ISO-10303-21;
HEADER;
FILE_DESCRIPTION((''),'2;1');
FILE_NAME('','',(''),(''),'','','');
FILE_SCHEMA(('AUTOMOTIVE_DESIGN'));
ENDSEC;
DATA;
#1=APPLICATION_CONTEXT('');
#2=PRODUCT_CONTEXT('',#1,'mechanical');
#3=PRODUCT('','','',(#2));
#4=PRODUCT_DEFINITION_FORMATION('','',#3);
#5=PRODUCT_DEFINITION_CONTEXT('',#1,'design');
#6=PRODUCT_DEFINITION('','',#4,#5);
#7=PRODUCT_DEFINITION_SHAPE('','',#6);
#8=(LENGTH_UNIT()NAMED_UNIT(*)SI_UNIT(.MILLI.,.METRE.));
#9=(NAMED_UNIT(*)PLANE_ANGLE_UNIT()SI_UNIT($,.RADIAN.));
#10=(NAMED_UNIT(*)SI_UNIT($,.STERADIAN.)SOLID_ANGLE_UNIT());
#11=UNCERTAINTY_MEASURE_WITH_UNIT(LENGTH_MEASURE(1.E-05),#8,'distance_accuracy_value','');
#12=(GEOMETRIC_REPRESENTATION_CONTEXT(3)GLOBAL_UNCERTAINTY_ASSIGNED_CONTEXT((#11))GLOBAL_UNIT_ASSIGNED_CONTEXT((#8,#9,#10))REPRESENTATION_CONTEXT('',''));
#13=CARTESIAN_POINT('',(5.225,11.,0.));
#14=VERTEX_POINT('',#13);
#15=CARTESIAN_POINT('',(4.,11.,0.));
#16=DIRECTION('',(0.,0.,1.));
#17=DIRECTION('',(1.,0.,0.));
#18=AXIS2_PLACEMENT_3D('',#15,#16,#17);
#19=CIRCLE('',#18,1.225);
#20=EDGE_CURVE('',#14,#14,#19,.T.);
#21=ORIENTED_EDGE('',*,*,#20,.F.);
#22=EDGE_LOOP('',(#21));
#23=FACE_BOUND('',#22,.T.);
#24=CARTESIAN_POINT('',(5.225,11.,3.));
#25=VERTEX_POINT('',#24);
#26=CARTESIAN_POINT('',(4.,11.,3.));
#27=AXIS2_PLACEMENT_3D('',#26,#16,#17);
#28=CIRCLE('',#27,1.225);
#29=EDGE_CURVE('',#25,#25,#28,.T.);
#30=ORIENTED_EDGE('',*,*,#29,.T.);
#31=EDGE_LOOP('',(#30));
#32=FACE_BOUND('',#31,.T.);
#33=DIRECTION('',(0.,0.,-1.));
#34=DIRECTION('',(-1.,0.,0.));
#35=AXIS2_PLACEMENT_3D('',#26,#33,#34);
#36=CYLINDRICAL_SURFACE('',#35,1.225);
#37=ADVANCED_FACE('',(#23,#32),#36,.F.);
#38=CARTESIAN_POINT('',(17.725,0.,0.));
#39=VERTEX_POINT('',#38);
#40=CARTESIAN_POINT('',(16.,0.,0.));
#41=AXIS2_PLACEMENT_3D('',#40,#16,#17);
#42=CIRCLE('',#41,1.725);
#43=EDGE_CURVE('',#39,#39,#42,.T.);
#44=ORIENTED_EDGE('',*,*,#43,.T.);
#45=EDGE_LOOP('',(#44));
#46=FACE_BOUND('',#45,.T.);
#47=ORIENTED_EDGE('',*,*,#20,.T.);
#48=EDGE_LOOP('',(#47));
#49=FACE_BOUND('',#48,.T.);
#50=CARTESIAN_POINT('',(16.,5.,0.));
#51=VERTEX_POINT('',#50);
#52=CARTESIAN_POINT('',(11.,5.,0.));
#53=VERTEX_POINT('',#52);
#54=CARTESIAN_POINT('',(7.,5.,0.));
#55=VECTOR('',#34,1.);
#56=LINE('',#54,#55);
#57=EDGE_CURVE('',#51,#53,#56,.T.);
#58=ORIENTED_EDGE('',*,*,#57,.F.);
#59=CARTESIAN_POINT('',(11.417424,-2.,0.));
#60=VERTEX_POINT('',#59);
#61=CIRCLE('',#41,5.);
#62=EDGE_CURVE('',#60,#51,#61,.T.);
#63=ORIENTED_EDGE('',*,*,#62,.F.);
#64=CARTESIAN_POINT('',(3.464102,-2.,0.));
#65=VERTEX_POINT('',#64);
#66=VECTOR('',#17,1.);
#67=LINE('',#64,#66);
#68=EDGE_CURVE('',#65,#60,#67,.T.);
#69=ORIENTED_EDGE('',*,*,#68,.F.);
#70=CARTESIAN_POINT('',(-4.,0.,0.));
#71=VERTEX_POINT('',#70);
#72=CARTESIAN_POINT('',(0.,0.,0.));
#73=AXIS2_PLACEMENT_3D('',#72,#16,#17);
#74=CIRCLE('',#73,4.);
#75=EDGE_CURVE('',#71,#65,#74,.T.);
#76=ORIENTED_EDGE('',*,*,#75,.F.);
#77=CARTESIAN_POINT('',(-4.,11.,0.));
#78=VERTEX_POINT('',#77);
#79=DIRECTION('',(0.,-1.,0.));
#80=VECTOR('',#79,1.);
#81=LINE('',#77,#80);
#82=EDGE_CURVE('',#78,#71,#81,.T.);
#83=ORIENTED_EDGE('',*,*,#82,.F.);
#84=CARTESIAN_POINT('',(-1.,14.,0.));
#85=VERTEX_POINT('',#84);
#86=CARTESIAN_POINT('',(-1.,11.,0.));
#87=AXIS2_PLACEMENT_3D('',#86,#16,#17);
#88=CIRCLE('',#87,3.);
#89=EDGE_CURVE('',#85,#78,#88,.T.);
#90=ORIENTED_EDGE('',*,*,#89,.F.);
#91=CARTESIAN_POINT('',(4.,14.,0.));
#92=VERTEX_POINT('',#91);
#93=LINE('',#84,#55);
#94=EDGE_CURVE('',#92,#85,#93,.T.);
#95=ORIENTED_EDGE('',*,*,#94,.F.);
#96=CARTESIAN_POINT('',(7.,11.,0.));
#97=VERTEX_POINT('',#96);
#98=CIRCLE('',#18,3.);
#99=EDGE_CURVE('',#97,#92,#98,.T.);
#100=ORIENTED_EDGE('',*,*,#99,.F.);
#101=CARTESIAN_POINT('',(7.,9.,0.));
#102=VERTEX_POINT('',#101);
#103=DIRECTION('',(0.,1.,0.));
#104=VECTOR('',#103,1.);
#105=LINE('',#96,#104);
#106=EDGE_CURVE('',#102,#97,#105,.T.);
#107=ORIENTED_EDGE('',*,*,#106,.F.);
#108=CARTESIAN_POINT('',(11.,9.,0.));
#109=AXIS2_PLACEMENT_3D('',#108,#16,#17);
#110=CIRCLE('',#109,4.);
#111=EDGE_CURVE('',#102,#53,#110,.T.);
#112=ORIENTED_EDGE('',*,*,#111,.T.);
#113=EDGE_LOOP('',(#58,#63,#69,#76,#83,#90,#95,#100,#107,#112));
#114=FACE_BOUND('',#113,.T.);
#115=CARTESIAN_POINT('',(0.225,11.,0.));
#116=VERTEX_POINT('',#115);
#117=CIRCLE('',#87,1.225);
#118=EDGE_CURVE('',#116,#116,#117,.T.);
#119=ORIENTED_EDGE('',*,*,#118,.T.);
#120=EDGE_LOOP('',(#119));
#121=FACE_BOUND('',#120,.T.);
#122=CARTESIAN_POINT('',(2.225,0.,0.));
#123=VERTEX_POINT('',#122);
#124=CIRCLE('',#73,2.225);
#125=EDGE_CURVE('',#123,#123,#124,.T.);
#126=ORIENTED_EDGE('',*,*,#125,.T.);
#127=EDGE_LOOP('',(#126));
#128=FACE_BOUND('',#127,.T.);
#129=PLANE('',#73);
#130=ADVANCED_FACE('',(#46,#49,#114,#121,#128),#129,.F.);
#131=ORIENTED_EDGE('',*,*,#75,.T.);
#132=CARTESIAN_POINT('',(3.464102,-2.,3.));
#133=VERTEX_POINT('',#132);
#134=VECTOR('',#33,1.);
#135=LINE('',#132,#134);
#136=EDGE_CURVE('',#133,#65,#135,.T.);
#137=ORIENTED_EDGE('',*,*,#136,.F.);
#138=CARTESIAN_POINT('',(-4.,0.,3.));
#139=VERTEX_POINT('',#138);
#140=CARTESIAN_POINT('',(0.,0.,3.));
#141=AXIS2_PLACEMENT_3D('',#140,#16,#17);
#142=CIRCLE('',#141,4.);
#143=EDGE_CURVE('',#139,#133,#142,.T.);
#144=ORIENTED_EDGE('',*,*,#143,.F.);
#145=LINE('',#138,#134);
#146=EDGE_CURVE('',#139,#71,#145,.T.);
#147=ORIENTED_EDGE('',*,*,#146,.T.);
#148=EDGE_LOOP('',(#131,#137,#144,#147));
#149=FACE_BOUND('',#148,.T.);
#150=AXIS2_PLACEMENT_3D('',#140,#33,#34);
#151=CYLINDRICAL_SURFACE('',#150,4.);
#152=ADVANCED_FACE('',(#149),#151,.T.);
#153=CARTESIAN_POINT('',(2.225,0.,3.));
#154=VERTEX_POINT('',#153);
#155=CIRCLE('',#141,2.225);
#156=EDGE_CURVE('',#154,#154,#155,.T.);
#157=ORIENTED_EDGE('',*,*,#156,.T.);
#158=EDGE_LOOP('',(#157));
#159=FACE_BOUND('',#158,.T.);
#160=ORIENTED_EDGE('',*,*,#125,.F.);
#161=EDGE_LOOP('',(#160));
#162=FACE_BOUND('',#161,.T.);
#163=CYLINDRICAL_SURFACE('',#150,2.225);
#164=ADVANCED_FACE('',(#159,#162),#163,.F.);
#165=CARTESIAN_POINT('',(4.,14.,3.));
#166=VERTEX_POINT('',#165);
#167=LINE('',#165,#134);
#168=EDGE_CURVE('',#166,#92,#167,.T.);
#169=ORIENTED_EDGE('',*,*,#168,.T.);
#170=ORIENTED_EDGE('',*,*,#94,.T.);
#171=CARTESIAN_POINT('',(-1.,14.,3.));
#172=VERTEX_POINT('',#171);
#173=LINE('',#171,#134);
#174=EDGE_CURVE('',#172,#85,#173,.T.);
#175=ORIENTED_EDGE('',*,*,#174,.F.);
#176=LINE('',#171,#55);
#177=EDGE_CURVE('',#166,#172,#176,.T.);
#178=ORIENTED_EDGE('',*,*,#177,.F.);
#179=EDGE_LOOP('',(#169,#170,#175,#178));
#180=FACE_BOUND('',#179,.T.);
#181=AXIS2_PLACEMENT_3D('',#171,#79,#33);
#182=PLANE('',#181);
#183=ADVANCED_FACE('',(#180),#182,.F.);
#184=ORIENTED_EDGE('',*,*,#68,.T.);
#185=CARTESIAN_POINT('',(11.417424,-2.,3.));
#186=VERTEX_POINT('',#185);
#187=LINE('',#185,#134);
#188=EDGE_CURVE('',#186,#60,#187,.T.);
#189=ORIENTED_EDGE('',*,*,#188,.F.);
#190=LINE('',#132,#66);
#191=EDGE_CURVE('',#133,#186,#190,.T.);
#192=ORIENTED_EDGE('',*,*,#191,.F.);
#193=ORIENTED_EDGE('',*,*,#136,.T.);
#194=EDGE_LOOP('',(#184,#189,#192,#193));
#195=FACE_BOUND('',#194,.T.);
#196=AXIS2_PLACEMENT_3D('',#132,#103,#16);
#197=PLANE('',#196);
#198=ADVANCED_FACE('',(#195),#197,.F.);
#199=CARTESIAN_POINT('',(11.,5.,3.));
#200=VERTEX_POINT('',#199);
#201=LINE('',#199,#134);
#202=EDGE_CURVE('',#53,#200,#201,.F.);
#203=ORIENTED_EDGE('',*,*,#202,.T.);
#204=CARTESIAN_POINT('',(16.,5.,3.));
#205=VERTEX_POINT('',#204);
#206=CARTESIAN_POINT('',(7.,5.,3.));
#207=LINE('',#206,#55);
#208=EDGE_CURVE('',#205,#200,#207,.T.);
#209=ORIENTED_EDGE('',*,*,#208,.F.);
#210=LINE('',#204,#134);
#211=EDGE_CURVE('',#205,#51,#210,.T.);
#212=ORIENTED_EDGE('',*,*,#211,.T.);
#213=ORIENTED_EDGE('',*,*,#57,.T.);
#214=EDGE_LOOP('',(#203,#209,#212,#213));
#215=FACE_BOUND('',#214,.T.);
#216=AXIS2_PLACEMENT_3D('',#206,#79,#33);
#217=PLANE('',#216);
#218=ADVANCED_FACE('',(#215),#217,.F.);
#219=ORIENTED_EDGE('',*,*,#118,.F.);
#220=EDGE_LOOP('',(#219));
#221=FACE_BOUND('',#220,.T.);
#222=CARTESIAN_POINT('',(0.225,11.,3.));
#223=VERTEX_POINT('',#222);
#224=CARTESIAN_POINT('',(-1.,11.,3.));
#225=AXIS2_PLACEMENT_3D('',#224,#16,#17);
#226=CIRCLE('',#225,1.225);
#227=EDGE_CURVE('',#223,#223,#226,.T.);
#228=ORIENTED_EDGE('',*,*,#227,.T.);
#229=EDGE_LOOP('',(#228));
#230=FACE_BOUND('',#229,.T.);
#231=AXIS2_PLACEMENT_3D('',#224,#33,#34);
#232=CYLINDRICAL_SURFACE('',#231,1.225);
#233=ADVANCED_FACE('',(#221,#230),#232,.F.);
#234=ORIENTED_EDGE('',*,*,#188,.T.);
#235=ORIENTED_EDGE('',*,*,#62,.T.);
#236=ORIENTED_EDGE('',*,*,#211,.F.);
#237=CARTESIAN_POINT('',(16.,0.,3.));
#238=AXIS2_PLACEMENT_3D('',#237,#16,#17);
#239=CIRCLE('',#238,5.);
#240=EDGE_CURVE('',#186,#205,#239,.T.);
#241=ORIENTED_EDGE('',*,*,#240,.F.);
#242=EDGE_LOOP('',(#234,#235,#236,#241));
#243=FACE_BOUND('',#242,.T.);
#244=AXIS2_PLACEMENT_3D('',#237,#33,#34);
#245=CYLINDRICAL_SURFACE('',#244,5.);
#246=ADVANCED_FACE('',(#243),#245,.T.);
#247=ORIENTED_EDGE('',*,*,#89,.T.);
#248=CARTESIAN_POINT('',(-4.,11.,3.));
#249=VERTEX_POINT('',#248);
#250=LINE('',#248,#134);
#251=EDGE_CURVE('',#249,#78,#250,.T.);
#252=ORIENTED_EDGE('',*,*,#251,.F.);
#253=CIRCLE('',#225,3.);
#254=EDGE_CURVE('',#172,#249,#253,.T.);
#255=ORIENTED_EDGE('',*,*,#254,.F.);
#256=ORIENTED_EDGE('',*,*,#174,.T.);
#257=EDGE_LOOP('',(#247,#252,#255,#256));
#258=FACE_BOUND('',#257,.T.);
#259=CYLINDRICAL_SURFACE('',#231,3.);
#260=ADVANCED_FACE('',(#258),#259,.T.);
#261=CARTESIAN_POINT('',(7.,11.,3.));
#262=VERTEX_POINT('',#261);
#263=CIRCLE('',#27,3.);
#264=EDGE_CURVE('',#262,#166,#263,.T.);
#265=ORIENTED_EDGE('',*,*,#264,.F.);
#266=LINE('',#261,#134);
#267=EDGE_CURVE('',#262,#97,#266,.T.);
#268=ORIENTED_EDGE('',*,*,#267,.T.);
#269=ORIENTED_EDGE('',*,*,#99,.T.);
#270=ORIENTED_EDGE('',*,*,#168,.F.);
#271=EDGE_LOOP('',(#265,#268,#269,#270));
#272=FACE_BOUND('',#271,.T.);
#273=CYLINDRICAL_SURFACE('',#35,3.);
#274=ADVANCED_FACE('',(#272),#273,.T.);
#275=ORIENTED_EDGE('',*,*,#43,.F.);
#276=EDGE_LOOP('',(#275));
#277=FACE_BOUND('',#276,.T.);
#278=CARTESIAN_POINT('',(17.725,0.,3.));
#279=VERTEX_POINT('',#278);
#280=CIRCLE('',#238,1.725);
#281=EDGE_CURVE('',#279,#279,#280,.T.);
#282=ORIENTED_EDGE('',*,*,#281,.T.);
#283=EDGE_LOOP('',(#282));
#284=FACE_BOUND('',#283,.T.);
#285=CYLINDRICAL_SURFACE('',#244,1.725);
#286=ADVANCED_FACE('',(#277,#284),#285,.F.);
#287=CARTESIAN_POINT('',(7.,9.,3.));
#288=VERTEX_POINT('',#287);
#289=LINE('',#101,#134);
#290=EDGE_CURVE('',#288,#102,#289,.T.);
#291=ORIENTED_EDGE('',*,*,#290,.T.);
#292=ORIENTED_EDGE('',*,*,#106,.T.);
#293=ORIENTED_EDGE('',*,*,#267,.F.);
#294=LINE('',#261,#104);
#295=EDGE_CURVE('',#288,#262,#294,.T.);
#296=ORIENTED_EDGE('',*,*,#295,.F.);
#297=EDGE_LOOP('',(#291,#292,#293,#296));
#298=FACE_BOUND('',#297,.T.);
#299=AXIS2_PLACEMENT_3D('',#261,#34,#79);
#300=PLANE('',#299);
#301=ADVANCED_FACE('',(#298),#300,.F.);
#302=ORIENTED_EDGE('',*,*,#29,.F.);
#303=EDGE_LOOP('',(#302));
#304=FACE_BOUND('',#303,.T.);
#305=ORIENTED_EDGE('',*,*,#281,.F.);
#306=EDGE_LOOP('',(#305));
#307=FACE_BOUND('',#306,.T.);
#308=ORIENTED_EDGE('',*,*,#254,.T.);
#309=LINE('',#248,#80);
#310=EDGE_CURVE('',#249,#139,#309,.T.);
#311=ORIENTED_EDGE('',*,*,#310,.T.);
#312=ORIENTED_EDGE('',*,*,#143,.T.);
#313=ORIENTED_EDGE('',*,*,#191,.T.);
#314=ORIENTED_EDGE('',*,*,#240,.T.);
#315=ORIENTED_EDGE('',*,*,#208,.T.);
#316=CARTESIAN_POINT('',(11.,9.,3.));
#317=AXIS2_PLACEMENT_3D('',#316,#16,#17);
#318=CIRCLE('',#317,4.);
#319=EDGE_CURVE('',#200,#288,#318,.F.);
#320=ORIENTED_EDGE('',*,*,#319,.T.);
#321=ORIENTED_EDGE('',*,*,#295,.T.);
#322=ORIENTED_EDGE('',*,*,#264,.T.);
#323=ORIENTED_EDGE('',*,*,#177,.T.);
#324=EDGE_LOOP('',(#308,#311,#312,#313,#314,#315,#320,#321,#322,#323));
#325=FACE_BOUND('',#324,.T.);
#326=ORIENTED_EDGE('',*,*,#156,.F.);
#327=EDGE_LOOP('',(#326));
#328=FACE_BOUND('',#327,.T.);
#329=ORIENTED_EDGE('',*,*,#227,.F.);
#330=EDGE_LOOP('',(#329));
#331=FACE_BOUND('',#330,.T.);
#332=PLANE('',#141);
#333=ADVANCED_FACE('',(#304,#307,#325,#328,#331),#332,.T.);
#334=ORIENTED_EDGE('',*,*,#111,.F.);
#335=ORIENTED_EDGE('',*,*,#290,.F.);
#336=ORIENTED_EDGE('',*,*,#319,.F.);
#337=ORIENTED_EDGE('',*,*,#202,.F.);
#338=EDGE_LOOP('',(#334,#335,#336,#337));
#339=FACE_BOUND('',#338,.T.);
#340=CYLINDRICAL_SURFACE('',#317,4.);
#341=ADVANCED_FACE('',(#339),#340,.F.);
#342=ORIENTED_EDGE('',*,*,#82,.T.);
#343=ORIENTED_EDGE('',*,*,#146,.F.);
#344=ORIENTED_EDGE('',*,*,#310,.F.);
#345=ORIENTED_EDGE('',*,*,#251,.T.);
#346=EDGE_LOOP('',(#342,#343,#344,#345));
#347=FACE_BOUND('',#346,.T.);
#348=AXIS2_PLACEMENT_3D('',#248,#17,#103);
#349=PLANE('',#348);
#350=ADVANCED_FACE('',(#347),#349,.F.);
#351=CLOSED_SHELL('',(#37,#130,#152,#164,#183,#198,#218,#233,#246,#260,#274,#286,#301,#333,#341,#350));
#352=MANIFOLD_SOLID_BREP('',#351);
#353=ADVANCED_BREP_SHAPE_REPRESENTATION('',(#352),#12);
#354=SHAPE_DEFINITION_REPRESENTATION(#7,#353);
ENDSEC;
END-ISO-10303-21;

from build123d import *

# Parameters (mm, degrees)
SKETCH1_R           = 2.225
SKETCH1_R_2         = 1.725
SKETCH1_R_3         = 1.225
BOSS_EXTRUDE1_DEPTH = 3
FILLET1_R           = 4


with BuildPart() as part:
    # Sketch1 → Boss-Extrude1 (new body)
    with BuildSketch(Plane.XY):
        with BuildLine():
            Line((3.464101615, -2), (11.417424305, -2))
            ThreePointArc((11.417424305, -2), (20.183300133, -2.738612788), (16, 5))
            Line((16, 5), (7, 5))
            Line((7, 5), (7, 11))
            ThreePointArc((7, 11), (6.121320344, 13.121320344), (4, 14))
            Line((4, 14), (-1, 14))
            ThreePointArc((-1, 14), (-3.121320344, 13.121320344), (-4, 11))
            Line((-4, 11), (-4, 0))
            ThreePointArc((-4, 0), (-1.03527618, -3.863703305), (3.464101615, -2))
        make_face()
        Circle(SKETCH1_R, mode=Mode.SUBTRACT)
        with Locations((16, 0)):
            Circle(SKETCH1_R_2, mode=Mode.SUBTRACT)
        with Locations((-1, 11)):
            Circle(SKETCH1_R_3, mode=Mode.SUBTRACT)
        with Locations((4, 11)):
            Circle(SKETCH1_R_3, mode=Mode.SUBTRACT)
    extrude(amount=BOSS_EXTRUDE1_DEPTH)

    # Fillet1
    fillet1_edges = [part.edges().sort_by_distance(p)[0] for p in [
        (7, 5, 1.5),
        (16, 5, 1.5),
    ]]
    fillet(fillet1_edges, radius=FILLET1_R)


solid = part.part
